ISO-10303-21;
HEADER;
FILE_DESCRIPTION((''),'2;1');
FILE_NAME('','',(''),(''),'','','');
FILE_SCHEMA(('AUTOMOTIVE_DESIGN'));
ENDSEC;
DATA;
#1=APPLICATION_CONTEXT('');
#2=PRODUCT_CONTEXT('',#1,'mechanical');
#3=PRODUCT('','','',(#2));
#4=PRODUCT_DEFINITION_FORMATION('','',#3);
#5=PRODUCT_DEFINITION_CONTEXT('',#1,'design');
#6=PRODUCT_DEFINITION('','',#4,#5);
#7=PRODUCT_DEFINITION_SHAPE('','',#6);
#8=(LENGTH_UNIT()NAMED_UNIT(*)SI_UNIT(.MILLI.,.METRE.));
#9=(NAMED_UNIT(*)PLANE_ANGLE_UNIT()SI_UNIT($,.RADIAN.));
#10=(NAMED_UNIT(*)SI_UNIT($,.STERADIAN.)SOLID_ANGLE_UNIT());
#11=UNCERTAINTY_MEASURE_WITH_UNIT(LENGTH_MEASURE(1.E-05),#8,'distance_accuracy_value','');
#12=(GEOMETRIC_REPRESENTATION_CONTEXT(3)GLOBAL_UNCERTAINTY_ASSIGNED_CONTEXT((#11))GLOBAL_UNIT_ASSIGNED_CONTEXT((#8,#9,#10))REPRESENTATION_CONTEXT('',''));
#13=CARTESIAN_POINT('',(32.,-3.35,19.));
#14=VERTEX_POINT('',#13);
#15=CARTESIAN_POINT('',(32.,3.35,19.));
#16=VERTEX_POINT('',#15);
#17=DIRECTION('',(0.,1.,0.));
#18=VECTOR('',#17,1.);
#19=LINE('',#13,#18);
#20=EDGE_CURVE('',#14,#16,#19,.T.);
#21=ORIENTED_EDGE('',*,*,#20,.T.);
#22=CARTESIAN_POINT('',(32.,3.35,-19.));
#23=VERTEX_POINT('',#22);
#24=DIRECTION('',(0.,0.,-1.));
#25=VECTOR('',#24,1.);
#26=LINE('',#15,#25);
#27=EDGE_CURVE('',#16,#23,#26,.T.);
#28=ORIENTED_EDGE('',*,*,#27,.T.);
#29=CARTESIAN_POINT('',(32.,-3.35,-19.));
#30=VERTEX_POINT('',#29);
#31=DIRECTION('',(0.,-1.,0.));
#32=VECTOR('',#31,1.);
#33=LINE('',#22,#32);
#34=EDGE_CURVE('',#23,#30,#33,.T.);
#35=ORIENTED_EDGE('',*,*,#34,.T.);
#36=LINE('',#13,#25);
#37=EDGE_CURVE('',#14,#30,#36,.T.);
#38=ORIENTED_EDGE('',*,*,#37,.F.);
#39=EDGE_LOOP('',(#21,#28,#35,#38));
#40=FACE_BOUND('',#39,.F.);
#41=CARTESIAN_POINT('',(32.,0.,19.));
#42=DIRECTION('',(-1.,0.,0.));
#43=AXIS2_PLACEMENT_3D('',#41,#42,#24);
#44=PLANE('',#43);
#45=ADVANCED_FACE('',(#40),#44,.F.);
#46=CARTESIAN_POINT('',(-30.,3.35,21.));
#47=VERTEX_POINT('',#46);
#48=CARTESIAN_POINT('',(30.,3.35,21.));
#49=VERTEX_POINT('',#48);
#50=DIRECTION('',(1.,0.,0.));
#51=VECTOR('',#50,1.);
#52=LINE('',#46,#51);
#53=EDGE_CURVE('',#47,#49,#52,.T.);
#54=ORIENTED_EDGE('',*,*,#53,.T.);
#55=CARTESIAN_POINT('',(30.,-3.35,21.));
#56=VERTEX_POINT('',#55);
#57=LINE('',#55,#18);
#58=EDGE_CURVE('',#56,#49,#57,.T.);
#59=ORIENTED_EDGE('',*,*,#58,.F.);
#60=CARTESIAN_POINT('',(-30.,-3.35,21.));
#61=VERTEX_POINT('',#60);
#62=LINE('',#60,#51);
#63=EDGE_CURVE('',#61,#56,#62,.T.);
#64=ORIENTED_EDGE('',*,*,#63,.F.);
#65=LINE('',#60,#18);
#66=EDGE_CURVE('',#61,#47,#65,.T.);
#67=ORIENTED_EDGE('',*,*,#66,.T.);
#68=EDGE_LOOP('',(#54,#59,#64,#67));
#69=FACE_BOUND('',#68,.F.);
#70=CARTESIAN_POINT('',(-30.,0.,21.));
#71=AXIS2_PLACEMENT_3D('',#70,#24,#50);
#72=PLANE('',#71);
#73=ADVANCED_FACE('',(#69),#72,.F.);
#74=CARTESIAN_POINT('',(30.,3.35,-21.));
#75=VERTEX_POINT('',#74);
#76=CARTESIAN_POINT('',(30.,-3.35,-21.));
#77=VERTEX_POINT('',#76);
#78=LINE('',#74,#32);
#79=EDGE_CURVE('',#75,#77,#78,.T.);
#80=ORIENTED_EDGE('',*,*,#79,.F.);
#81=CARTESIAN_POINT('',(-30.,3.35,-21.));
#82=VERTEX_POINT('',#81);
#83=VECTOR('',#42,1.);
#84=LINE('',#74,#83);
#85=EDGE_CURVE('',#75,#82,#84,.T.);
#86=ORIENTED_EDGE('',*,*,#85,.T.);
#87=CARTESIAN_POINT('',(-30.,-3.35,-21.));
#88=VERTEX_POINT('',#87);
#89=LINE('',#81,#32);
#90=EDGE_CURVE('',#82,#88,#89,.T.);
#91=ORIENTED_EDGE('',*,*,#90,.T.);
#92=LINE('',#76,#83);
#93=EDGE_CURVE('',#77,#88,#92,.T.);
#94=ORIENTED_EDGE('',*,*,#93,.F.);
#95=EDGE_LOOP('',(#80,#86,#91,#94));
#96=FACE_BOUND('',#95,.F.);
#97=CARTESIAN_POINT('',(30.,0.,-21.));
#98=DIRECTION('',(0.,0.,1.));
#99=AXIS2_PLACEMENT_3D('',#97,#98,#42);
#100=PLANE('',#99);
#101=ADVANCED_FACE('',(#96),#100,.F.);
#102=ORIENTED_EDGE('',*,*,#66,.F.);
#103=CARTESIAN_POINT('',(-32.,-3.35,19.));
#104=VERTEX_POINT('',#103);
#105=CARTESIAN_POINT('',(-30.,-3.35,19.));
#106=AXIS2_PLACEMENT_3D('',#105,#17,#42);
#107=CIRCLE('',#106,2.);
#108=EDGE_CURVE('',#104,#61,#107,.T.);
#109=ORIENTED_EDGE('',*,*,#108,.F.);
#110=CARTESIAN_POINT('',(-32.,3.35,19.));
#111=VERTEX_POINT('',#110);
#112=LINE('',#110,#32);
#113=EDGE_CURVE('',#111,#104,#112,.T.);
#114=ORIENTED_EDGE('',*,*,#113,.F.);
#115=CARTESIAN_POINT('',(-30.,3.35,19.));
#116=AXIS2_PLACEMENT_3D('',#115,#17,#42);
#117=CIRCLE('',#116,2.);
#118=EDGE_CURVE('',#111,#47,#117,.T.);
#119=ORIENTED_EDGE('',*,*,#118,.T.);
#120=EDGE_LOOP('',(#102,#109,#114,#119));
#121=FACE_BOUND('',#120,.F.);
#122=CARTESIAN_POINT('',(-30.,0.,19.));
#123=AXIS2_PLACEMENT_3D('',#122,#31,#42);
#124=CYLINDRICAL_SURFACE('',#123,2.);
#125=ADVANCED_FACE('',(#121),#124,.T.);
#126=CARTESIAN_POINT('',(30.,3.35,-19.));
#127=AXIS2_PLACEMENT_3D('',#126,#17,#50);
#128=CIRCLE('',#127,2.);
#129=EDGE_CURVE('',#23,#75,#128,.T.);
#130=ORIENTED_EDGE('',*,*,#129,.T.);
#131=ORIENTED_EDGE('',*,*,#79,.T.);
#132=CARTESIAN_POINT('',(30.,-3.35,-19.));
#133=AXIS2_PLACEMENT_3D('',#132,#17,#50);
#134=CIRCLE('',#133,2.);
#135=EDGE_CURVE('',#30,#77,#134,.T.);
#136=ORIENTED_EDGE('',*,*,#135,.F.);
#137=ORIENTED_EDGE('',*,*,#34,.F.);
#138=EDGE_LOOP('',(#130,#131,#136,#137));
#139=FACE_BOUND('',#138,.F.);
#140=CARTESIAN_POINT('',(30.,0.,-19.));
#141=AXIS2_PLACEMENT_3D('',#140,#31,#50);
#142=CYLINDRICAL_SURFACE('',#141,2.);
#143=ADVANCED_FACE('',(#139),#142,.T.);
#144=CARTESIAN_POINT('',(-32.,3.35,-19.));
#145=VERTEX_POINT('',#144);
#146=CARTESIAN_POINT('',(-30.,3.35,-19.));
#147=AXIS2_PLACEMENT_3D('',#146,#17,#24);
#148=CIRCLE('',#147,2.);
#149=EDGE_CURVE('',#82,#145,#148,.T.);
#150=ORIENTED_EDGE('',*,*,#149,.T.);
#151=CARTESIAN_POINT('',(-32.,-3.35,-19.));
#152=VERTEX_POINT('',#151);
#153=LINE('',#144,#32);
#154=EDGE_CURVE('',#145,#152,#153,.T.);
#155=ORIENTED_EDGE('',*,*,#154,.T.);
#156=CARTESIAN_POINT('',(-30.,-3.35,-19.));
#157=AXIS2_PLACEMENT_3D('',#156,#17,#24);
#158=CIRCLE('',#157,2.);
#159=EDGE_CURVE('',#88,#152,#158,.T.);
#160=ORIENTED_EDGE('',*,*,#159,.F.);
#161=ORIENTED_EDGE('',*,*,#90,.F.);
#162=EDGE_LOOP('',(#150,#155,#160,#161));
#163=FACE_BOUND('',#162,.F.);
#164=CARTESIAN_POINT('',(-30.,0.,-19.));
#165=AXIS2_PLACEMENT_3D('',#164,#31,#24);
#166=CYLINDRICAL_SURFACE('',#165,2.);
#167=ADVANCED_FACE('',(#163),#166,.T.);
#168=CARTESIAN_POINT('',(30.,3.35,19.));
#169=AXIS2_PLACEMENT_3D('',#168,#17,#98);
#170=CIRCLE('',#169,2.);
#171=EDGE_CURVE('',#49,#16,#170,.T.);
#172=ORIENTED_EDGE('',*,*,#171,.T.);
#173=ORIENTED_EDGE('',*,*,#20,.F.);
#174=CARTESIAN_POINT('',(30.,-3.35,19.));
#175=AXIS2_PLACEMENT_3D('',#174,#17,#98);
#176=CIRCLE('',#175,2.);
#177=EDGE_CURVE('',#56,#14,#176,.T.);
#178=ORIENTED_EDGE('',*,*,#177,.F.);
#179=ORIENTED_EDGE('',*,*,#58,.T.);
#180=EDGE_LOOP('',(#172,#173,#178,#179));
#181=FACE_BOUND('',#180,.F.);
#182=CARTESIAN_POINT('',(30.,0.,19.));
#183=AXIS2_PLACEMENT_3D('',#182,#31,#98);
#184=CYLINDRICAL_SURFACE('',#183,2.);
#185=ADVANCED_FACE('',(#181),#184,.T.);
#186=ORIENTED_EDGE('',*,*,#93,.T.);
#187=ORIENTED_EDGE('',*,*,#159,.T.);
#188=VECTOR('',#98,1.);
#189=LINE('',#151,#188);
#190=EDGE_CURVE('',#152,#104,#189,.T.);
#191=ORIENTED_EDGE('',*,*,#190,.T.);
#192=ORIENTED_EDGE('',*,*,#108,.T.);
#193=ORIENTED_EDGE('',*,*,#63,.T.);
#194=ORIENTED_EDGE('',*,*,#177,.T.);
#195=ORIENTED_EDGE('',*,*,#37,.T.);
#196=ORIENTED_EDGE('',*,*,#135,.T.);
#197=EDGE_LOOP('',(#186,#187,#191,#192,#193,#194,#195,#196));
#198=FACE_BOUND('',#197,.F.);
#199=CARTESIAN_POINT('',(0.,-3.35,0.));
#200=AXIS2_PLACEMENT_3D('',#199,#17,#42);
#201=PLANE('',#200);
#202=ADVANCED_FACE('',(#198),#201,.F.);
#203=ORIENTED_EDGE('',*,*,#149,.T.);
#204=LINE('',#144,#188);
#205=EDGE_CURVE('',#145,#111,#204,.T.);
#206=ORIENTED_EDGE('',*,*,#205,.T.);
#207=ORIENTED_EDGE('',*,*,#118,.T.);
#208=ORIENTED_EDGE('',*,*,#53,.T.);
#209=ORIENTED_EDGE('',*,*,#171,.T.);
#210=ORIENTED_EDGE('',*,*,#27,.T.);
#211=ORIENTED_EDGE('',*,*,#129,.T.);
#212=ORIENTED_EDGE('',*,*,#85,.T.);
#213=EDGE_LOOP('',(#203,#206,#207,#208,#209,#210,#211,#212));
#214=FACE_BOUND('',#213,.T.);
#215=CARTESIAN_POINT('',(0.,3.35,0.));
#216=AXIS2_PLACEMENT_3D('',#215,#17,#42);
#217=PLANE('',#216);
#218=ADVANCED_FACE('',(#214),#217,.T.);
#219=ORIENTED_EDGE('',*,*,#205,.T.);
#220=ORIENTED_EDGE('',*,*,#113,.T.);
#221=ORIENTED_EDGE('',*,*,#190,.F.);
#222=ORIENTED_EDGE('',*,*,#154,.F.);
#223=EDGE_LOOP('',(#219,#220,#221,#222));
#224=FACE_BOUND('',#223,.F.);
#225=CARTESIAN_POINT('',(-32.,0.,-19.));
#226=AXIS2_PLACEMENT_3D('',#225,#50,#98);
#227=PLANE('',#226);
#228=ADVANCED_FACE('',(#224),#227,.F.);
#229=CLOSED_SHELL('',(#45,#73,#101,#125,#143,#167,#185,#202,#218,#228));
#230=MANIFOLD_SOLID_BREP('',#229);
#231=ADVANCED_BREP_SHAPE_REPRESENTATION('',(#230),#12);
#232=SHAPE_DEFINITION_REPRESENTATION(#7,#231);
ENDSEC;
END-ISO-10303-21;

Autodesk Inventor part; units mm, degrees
ref_plane "YZ Plane" through (0, 0, 0) normal (1, 0, 0) x (0, 1, 0)
ref_plane "XZ Plane" through (0, 0, 0) normal (0, 1, 0) x (-1, 0, 0)
ref_plane "XY Plane" through (0, 0, 0) normal (0, 0, 1) x (1, 0, 0)
sketch "Sketch1" plane through (0, 0, 0) normal (0, 1, 0) x (-1, 0, 0)
  line L0 (30, 21) -> (-30, 21)
  line L1 (-32, 19) -> (-32, -19)
  line L2 (-30, -21) -> (30, -21)
  line L3 (32, -19) -> (32, 19)
  line L4 (32, 21) -> (-32, -21) construction
  line L5 (-32, 21) -> (32, -21) construction
  arc A0 (30, -21) -> (32, -19) centre (30, -19) ccw
  arc A1 (32, 19) -> (30, 21) centre (30, 19) ccw
  arc A2 (-30, 21) -> (-32, 19) centre (-30, 19) ccw
  arc A3 (-32, -19) -> (-30, -21) centre (-30, -19) ccw
  point P0 (0, 0)
  dimension "d0" = 64
  dimension "d1" = 42
  dimension "d2" = 2
extrude "Extrusion1" add sketch "Sketch1" along normal mid plane 6.7
properties part number "Objects_Public_SingleType" material "Paper"
